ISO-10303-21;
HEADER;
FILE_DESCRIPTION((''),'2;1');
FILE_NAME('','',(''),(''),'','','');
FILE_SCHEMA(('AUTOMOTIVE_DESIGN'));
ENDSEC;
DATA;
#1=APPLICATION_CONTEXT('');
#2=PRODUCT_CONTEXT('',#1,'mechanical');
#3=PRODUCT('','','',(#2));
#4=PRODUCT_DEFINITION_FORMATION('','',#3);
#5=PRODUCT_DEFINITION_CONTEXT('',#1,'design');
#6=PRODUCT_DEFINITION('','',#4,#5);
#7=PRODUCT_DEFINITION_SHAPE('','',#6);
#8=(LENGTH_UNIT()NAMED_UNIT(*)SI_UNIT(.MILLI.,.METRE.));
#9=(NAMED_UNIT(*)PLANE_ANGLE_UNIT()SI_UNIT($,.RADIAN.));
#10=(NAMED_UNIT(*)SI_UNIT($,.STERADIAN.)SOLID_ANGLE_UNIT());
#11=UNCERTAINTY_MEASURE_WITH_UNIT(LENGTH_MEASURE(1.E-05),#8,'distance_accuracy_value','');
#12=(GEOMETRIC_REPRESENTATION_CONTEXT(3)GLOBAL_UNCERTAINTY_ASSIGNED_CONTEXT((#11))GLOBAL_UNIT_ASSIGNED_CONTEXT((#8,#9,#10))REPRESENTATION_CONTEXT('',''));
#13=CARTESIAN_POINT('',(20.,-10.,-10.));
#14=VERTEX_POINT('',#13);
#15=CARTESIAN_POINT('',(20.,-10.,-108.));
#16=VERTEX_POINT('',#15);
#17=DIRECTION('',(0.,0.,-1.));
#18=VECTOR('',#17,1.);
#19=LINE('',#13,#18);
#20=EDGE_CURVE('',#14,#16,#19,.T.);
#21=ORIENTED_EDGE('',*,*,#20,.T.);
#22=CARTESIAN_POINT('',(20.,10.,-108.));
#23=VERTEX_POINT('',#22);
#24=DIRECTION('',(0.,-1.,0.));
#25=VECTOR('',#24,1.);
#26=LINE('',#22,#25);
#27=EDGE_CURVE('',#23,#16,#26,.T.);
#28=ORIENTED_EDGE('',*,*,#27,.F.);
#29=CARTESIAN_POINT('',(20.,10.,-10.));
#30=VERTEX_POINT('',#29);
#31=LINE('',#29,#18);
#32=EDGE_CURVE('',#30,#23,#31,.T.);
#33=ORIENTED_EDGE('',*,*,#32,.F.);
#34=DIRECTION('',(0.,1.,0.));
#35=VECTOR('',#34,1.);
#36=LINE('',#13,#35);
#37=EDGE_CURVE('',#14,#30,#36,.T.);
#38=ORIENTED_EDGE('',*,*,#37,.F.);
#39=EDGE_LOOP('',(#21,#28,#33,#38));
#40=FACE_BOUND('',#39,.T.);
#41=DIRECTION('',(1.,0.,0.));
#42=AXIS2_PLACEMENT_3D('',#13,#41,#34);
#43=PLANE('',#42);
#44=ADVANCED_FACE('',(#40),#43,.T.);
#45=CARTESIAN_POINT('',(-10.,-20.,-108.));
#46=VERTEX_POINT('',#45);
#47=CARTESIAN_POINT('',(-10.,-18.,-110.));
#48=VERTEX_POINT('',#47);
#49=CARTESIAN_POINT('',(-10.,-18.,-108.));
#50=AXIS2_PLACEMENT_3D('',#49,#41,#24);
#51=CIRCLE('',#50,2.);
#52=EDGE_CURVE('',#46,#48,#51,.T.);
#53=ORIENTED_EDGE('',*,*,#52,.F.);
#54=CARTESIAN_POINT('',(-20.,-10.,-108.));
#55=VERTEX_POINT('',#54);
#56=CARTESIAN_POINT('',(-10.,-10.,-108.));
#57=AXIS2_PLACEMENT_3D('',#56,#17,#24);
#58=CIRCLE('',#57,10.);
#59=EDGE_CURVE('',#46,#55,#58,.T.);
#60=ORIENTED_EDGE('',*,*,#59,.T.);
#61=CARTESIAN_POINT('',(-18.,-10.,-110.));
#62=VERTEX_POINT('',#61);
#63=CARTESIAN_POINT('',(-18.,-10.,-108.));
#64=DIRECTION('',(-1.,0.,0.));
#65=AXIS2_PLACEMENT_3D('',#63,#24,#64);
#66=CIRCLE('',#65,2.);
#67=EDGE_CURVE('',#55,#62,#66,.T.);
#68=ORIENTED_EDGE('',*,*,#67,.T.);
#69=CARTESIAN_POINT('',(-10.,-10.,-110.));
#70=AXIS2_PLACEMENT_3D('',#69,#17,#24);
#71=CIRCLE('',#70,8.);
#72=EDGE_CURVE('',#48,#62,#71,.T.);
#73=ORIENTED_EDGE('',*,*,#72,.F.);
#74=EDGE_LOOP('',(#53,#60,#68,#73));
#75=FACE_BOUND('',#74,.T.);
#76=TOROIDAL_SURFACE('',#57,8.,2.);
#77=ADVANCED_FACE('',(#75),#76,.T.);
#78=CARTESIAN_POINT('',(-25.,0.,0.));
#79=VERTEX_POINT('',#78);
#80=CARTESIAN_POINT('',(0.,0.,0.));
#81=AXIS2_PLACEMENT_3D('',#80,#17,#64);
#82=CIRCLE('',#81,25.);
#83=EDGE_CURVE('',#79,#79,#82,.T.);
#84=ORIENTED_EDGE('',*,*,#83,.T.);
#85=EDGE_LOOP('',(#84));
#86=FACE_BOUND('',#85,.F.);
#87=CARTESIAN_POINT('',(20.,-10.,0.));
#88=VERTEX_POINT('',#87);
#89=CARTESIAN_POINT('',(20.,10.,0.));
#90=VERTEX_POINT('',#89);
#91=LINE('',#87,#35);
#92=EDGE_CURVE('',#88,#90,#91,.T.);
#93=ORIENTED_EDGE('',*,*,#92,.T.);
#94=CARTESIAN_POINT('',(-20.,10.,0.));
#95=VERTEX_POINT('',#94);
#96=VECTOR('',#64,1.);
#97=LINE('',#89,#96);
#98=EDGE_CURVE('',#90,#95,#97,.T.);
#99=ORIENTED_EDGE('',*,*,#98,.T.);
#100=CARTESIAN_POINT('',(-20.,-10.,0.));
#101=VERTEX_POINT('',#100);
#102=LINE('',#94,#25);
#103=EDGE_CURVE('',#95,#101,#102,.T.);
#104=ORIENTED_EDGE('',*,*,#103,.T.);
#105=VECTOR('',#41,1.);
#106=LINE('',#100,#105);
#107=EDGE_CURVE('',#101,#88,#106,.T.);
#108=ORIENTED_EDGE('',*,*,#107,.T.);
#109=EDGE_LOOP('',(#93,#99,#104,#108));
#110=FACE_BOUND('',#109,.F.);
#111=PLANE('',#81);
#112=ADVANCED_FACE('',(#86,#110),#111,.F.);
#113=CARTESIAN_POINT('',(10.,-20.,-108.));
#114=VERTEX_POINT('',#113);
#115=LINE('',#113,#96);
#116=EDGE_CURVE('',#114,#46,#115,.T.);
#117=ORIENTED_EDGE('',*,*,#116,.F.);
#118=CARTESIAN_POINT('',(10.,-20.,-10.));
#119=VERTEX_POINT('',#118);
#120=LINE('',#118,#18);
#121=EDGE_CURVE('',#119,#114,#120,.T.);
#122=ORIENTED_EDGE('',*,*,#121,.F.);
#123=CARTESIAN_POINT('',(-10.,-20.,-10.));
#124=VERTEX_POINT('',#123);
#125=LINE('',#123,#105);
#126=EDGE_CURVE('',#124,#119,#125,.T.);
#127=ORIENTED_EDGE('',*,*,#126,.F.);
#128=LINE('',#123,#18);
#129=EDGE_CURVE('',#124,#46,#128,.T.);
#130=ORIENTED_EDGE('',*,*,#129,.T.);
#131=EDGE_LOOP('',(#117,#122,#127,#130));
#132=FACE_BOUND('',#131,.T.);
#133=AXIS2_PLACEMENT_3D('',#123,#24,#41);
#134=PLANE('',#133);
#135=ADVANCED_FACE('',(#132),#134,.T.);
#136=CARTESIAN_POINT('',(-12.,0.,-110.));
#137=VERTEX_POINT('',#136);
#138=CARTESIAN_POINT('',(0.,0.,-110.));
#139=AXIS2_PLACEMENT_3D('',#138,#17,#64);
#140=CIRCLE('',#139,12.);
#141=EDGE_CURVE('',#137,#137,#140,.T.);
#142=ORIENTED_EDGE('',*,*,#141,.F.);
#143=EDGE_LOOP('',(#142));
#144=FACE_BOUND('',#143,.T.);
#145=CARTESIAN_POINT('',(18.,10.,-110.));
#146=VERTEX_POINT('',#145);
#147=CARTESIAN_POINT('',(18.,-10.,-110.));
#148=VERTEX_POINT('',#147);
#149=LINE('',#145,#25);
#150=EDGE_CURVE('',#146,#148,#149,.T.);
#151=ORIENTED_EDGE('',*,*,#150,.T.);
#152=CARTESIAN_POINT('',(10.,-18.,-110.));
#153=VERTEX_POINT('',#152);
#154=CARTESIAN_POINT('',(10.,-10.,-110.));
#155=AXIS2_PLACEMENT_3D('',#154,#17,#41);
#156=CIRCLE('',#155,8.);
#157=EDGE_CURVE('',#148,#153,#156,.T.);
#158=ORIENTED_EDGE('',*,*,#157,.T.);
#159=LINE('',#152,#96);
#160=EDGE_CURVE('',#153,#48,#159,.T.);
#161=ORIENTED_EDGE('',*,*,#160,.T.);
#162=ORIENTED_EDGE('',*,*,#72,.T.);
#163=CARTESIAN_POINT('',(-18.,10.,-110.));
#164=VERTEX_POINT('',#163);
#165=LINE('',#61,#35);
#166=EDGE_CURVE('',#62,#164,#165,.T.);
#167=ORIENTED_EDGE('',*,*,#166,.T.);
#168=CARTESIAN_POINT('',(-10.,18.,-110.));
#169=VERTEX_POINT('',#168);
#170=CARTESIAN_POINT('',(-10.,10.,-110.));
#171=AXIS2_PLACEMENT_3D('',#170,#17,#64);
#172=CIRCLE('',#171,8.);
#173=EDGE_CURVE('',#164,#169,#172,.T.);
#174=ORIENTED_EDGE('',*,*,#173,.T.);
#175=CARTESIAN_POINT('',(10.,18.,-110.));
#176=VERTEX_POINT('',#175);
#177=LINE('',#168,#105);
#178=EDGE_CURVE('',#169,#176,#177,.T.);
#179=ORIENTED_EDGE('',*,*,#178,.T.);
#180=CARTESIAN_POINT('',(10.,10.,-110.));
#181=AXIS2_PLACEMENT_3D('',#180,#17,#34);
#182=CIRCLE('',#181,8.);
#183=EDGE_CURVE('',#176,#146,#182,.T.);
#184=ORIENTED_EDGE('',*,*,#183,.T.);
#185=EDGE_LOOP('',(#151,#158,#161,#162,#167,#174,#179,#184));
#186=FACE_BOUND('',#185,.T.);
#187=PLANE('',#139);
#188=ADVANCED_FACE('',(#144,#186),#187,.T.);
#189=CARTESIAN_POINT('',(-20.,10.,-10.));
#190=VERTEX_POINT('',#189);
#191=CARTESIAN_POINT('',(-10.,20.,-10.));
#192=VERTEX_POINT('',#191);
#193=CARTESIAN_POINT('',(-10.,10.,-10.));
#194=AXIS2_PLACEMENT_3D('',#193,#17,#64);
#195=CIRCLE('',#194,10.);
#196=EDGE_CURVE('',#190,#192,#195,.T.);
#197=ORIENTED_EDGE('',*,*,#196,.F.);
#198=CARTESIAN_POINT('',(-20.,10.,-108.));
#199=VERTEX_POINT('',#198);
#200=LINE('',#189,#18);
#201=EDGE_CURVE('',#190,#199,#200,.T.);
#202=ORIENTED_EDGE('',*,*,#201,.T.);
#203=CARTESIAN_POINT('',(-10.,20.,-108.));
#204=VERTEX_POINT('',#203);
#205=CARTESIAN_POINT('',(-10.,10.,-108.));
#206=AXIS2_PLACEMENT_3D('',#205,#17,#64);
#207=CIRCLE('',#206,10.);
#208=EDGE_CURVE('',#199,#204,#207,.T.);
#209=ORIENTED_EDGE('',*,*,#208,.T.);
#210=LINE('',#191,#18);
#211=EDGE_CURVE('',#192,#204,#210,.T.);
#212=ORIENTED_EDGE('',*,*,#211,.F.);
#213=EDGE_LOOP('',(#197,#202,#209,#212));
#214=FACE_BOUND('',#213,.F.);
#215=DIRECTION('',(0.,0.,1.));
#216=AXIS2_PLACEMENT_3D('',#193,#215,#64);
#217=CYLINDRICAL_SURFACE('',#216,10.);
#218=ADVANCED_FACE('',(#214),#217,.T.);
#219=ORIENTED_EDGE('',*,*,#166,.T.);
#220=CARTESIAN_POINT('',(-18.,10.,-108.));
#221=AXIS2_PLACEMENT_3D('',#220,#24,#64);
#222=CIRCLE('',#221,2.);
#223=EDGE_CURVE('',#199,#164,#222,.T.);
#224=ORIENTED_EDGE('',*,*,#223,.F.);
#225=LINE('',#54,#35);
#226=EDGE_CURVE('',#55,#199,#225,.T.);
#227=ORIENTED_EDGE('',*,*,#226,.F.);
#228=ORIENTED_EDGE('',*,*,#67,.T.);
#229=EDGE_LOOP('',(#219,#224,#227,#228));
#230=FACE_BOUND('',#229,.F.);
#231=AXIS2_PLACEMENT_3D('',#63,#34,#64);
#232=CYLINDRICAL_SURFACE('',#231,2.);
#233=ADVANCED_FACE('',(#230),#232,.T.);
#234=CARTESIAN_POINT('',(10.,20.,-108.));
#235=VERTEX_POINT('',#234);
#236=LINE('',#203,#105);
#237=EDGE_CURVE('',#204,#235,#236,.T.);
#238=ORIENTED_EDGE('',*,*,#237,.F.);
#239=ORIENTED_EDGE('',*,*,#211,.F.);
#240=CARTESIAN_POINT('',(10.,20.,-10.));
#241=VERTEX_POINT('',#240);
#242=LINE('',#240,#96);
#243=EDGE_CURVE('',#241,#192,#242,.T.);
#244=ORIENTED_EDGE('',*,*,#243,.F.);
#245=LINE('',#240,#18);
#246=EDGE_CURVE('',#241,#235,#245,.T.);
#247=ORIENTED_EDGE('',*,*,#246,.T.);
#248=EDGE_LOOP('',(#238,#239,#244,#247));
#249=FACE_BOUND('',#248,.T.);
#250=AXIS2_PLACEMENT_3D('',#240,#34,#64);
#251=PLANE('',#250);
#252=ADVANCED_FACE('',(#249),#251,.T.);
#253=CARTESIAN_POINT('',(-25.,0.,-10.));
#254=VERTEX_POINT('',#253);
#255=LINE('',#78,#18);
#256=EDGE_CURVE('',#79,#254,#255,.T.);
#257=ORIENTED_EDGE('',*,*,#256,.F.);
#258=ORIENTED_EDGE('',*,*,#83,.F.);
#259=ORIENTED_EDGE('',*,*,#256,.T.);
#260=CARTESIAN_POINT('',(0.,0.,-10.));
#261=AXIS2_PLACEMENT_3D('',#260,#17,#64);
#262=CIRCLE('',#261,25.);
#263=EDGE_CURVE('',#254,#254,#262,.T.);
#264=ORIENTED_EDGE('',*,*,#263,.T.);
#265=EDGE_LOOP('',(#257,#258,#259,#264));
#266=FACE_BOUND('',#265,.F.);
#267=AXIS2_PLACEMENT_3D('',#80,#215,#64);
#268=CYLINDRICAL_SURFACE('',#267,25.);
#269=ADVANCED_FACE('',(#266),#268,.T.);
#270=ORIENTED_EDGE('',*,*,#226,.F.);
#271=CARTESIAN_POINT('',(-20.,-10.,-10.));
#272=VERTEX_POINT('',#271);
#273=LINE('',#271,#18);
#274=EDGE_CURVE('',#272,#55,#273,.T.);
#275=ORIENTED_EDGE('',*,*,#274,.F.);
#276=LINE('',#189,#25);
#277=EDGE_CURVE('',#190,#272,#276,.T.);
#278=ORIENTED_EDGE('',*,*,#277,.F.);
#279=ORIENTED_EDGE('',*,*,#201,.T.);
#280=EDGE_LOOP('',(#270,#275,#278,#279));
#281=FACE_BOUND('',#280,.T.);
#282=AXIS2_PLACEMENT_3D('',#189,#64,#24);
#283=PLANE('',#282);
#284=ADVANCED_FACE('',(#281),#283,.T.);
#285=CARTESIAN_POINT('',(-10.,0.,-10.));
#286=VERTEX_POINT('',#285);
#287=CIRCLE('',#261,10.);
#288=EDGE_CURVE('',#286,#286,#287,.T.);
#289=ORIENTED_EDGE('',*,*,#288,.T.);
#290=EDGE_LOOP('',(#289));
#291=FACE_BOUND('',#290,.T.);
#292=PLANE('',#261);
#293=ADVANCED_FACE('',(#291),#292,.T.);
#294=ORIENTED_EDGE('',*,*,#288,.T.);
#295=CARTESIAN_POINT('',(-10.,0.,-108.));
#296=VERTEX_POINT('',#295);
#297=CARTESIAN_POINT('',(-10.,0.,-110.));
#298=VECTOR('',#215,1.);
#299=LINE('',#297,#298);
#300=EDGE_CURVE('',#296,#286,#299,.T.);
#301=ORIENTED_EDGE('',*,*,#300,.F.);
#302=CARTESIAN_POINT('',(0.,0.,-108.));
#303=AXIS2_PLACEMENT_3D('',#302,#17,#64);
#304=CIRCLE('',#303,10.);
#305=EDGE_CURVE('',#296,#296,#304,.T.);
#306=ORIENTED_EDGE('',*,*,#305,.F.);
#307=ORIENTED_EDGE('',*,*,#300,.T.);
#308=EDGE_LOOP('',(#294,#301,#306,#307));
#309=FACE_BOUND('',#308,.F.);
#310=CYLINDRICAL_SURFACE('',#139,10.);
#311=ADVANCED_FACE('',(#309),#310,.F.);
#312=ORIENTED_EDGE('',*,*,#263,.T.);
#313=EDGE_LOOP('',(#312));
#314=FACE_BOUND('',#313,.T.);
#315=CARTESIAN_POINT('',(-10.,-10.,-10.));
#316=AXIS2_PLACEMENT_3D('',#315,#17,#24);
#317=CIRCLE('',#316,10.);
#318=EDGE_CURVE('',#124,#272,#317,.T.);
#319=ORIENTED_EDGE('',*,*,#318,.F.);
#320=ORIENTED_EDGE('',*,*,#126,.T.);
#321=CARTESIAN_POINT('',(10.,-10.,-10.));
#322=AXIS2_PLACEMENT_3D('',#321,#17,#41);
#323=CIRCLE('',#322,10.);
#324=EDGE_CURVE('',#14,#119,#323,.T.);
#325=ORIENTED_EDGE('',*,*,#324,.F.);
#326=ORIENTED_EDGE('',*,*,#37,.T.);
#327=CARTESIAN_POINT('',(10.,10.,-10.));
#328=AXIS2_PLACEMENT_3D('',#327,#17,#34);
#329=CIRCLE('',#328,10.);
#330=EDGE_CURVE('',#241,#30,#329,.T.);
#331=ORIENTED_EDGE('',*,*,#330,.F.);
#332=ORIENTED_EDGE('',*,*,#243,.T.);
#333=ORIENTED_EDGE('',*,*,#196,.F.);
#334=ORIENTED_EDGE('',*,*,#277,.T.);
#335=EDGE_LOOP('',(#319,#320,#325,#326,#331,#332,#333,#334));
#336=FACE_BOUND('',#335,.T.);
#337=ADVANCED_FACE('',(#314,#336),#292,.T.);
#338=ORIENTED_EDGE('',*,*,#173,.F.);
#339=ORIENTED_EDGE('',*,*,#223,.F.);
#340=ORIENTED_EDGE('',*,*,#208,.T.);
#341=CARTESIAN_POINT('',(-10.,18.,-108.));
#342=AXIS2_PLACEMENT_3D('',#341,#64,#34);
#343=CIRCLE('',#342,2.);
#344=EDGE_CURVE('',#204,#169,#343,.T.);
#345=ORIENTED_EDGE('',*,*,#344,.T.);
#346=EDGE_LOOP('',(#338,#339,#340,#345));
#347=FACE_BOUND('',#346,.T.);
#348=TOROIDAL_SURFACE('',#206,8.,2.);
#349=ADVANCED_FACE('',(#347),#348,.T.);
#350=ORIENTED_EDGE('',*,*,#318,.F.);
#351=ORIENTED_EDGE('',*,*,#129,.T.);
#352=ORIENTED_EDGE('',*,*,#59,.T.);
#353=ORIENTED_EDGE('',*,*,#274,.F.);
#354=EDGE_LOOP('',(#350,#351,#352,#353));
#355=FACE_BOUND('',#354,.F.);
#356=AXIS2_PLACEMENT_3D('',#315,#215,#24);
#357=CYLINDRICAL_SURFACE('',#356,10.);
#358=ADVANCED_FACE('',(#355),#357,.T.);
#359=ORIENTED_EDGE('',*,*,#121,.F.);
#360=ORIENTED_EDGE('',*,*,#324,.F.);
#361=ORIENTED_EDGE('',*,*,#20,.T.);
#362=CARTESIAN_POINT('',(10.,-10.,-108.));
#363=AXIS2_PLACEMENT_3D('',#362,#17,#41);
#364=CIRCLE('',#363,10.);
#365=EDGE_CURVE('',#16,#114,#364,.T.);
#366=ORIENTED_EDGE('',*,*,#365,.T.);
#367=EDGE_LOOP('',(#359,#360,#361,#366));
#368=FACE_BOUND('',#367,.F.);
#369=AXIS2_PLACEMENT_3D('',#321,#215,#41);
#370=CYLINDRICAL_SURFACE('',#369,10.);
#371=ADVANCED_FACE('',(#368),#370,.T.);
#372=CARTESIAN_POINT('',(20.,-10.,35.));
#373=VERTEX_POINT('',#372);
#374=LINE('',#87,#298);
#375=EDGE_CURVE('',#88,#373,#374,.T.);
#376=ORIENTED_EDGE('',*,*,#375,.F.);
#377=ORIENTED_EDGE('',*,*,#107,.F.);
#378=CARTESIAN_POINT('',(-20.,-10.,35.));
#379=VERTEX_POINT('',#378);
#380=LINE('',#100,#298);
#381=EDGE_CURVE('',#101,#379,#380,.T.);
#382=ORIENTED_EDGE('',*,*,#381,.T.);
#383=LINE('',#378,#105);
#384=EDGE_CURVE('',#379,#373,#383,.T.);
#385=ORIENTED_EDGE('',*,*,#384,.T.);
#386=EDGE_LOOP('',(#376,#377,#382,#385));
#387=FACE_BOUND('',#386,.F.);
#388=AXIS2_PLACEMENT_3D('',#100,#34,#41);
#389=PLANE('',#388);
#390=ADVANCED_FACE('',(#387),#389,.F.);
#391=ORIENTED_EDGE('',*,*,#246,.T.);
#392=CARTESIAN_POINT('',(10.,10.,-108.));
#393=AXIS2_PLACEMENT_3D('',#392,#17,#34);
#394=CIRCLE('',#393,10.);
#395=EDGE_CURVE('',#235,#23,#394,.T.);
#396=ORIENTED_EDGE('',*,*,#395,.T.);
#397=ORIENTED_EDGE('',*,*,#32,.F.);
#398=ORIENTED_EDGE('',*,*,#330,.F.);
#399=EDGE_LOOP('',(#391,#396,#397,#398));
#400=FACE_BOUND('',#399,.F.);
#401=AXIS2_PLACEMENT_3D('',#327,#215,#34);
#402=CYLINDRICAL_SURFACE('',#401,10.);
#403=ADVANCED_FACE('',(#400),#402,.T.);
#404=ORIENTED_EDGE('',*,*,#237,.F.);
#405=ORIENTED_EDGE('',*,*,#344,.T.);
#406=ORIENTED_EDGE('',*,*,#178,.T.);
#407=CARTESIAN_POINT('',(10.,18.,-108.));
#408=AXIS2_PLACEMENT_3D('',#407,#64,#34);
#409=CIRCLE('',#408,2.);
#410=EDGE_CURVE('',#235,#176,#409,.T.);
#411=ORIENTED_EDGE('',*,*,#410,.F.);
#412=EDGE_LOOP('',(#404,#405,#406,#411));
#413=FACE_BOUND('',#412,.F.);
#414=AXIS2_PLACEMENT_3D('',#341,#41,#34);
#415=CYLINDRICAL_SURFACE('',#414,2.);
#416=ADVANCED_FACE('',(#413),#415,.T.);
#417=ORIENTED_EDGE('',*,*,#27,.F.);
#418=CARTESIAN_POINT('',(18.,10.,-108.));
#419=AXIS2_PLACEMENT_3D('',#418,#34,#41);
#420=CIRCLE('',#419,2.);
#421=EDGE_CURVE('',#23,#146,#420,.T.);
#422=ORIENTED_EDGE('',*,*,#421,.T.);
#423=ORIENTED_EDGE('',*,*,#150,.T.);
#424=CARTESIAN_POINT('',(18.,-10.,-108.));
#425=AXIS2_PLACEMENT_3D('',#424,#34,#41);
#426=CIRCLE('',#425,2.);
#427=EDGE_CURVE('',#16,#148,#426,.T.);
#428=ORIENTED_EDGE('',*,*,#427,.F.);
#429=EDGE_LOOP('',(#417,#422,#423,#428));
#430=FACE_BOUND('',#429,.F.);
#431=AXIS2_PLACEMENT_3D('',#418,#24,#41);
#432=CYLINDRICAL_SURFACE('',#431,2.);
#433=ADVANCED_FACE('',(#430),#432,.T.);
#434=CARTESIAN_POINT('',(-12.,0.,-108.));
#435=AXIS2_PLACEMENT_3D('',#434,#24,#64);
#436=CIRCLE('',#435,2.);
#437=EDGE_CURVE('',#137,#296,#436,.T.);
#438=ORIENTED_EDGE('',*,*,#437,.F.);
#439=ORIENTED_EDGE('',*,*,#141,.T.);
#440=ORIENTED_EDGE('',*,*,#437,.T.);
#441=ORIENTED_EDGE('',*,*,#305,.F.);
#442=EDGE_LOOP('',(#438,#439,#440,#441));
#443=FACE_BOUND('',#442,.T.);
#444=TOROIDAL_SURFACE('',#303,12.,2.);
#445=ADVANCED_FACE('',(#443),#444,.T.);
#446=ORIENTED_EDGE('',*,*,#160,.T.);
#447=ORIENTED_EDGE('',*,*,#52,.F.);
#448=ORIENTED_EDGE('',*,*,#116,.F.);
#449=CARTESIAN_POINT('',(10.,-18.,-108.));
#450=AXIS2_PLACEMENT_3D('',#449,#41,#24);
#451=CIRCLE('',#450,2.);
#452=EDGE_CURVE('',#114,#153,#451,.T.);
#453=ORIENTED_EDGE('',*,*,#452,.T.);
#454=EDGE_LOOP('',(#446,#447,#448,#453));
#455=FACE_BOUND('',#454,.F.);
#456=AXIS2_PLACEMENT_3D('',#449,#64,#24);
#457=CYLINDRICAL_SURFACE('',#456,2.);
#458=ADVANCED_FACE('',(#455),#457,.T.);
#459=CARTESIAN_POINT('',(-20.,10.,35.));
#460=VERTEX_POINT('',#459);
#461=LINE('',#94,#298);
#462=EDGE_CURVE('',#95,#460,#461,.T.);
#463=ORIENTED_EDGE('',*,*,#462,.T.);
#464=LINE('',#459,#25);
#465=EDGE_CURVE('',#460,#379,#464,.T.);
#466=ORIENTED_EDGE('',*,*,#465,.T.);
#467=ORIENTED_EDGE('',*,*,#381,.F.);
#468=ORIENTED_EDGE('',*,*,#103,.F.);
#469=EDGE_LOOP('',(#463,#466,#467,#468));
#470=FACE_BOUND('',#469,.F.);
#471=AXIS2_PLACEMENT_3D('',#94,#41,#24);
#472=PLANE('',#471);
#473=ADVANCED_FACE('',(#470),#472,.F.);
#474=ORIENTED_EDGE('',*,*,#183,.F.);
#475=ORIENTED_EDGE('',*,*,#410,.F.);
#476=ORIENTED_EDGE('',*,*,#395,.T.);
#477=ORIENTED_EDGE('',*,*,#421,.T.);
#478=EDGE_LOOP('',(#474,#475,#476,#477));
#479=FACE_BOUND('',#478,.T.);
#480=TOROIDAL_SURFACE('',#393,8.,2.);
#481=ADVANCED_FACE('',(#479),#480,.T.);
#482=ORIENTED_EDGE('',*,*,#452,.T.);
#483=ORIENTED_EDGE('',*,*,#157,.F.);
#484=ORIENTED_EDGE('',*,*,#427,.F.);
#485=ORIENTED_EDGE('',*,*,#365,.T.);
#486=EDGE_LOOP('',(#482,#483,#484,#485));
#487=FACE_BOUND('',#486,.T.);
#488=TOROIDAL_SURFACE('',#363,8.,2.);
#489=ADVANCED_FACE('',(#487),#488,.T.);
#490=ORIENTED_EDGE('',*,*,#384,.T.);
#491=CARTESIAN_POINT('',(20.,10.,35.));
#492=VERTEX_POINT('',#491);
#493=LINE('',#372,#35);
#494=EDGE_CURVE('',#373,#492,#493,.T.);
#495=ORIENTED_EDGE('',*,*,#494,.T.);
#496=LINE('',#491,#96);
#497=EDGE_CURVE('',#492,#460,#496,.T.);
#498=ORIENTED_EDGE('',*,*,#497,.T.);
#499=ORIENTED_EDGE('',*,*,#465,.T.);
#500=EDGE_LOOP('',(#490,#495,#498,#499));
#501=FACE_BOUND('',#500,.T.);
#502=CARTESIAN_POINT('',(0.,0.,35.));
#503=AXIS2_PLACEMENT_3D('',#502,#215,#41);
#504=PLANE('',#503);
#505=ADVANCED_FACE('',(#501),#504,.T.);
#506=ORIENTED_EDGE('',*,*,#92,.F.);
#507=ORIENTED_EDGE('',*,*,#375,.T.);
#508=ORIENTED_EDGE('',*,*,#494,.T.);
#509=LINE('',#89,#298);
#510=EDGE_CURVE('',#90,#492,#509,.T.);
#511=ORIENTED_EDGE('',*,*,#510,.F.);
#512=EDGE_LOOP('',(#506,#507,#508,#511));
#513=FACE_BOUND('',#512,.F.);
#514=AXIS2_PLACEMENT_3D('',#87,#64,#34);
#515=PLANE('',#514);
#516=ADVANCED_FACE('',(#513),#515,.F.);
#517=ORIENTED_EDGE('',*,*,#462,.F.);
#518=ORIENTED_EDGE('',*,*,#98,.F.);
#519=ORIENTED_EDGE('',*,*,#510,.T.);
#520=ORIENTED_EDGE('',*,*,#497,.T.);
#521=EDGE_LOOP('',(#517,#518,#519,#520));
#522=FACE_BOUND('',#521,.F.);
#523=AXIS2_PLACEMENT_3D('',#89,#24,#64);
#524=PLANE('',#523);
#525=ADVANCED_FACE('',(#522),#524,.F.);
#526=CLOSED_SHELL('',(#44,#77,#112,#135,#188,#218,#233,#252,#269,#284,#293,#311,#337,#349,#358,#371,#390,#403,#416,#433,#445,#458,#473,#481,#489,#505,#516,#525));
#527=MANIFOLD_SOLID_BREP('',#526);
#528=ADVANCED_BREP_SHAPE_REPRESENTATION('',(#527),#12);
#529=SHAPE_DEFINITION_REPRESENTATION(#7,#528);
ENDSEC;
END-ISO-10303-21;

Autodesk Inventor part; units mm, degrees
ref_plane "YZ Plane" through (0, 0, 0) normal (1, 0, 0) x (0, 1, 0)
ref_plane "XZ Plane" through (0, 0, 0) normal (0, 1, 0) x (-1, 0, 0)
ref_plane "XY Plane" through (0, 0, 0) normal (0, 0, 1) x (1, 0, 0)
sketch "Skizze2" plane through (0, 0, 0) normal (0, 0, 1) x (1, 0, 0)
  line L0 (-20, -10) -> (20, -10)
  line L1 (20, -10) -> (20, 10)
  line L2 (20, 10) -> (-20, 10)
  line L3 (-20, 10) -> (-20, -10)
  line L4 (-20, -10) -> (20, 10) construction
  line L5 (20, -10) -> (-20, 10) construction
  point P0 (0, 0)
  dimension "d0" = 40
  dimension "d1" = 20
extrude "Extrusion1" add sketch "Skizze2" along normal blind 35
sketch "Skizze3" plane through (0, 0, 0) normal (0, 0, -1) x (-1, 0, 0)
  circle A0 centre (0, 0) radius 25
  dimension "d4" = 50
extrude "Extrusion2" add sketch "Skizze3" along normal blind 10
sketch "Skizze4" plane through (0, 0, -10) normal (0, 0, -1) x (-1, 0, 0)
  line L0 (10, -20) -> (-10, -20)
  line L1 (-20, -10) -> (-20, 10)
  line L2 (-10, 20) -> (10, 20)
  line L3 (20, 10) -> (20, -10)
  line L4 (20, -20) -> (-20, 20) construction
  line L5 (-20, -20) -> (20, 20) construction
  arc A0 (-20, -10) -> (-10, -20) centre (-10, -10) ccw
  arc A1 (-10, 20) -> (-20, 10) centre (-10, 10) ccw
  arc A2 (20, 10) -> (10, 20) centre (10, 10) ccw
  arc A3 (10, -20) -> (20, -10) centre (10, -10) ccw
  point P0 (0, 0)
  dimension "d7" = 40
  dimension "d8" = 40
  dimension "d9" = 10
extrude "Extrusion3" add sketch "Skizze4" along normal blind 100
sketch "Skizze5" plane through (0, 0, -110) normal (0, 0, -1) x (-1, 0, 0)
  circle A0 centre (0, 0) radius 10
  dimension "d12" = 20
extrude "Extrusion4" cut sketch "Skizze5" against normal up to surface (100 mm away)
fillet "Rundung1" radius 2 9 edges at (17.0711, -17.0711, -110) (0, -20, -110) (-17.0711, -17.0711, -110) (-20, 0, -110) (-17.0711, 17.0711, -110) (0, 20, -110) (17.0711, 17.0711, -110) (20, 0, -110) (10, 0, -110)
properties part number "Hubvorrichtung"
